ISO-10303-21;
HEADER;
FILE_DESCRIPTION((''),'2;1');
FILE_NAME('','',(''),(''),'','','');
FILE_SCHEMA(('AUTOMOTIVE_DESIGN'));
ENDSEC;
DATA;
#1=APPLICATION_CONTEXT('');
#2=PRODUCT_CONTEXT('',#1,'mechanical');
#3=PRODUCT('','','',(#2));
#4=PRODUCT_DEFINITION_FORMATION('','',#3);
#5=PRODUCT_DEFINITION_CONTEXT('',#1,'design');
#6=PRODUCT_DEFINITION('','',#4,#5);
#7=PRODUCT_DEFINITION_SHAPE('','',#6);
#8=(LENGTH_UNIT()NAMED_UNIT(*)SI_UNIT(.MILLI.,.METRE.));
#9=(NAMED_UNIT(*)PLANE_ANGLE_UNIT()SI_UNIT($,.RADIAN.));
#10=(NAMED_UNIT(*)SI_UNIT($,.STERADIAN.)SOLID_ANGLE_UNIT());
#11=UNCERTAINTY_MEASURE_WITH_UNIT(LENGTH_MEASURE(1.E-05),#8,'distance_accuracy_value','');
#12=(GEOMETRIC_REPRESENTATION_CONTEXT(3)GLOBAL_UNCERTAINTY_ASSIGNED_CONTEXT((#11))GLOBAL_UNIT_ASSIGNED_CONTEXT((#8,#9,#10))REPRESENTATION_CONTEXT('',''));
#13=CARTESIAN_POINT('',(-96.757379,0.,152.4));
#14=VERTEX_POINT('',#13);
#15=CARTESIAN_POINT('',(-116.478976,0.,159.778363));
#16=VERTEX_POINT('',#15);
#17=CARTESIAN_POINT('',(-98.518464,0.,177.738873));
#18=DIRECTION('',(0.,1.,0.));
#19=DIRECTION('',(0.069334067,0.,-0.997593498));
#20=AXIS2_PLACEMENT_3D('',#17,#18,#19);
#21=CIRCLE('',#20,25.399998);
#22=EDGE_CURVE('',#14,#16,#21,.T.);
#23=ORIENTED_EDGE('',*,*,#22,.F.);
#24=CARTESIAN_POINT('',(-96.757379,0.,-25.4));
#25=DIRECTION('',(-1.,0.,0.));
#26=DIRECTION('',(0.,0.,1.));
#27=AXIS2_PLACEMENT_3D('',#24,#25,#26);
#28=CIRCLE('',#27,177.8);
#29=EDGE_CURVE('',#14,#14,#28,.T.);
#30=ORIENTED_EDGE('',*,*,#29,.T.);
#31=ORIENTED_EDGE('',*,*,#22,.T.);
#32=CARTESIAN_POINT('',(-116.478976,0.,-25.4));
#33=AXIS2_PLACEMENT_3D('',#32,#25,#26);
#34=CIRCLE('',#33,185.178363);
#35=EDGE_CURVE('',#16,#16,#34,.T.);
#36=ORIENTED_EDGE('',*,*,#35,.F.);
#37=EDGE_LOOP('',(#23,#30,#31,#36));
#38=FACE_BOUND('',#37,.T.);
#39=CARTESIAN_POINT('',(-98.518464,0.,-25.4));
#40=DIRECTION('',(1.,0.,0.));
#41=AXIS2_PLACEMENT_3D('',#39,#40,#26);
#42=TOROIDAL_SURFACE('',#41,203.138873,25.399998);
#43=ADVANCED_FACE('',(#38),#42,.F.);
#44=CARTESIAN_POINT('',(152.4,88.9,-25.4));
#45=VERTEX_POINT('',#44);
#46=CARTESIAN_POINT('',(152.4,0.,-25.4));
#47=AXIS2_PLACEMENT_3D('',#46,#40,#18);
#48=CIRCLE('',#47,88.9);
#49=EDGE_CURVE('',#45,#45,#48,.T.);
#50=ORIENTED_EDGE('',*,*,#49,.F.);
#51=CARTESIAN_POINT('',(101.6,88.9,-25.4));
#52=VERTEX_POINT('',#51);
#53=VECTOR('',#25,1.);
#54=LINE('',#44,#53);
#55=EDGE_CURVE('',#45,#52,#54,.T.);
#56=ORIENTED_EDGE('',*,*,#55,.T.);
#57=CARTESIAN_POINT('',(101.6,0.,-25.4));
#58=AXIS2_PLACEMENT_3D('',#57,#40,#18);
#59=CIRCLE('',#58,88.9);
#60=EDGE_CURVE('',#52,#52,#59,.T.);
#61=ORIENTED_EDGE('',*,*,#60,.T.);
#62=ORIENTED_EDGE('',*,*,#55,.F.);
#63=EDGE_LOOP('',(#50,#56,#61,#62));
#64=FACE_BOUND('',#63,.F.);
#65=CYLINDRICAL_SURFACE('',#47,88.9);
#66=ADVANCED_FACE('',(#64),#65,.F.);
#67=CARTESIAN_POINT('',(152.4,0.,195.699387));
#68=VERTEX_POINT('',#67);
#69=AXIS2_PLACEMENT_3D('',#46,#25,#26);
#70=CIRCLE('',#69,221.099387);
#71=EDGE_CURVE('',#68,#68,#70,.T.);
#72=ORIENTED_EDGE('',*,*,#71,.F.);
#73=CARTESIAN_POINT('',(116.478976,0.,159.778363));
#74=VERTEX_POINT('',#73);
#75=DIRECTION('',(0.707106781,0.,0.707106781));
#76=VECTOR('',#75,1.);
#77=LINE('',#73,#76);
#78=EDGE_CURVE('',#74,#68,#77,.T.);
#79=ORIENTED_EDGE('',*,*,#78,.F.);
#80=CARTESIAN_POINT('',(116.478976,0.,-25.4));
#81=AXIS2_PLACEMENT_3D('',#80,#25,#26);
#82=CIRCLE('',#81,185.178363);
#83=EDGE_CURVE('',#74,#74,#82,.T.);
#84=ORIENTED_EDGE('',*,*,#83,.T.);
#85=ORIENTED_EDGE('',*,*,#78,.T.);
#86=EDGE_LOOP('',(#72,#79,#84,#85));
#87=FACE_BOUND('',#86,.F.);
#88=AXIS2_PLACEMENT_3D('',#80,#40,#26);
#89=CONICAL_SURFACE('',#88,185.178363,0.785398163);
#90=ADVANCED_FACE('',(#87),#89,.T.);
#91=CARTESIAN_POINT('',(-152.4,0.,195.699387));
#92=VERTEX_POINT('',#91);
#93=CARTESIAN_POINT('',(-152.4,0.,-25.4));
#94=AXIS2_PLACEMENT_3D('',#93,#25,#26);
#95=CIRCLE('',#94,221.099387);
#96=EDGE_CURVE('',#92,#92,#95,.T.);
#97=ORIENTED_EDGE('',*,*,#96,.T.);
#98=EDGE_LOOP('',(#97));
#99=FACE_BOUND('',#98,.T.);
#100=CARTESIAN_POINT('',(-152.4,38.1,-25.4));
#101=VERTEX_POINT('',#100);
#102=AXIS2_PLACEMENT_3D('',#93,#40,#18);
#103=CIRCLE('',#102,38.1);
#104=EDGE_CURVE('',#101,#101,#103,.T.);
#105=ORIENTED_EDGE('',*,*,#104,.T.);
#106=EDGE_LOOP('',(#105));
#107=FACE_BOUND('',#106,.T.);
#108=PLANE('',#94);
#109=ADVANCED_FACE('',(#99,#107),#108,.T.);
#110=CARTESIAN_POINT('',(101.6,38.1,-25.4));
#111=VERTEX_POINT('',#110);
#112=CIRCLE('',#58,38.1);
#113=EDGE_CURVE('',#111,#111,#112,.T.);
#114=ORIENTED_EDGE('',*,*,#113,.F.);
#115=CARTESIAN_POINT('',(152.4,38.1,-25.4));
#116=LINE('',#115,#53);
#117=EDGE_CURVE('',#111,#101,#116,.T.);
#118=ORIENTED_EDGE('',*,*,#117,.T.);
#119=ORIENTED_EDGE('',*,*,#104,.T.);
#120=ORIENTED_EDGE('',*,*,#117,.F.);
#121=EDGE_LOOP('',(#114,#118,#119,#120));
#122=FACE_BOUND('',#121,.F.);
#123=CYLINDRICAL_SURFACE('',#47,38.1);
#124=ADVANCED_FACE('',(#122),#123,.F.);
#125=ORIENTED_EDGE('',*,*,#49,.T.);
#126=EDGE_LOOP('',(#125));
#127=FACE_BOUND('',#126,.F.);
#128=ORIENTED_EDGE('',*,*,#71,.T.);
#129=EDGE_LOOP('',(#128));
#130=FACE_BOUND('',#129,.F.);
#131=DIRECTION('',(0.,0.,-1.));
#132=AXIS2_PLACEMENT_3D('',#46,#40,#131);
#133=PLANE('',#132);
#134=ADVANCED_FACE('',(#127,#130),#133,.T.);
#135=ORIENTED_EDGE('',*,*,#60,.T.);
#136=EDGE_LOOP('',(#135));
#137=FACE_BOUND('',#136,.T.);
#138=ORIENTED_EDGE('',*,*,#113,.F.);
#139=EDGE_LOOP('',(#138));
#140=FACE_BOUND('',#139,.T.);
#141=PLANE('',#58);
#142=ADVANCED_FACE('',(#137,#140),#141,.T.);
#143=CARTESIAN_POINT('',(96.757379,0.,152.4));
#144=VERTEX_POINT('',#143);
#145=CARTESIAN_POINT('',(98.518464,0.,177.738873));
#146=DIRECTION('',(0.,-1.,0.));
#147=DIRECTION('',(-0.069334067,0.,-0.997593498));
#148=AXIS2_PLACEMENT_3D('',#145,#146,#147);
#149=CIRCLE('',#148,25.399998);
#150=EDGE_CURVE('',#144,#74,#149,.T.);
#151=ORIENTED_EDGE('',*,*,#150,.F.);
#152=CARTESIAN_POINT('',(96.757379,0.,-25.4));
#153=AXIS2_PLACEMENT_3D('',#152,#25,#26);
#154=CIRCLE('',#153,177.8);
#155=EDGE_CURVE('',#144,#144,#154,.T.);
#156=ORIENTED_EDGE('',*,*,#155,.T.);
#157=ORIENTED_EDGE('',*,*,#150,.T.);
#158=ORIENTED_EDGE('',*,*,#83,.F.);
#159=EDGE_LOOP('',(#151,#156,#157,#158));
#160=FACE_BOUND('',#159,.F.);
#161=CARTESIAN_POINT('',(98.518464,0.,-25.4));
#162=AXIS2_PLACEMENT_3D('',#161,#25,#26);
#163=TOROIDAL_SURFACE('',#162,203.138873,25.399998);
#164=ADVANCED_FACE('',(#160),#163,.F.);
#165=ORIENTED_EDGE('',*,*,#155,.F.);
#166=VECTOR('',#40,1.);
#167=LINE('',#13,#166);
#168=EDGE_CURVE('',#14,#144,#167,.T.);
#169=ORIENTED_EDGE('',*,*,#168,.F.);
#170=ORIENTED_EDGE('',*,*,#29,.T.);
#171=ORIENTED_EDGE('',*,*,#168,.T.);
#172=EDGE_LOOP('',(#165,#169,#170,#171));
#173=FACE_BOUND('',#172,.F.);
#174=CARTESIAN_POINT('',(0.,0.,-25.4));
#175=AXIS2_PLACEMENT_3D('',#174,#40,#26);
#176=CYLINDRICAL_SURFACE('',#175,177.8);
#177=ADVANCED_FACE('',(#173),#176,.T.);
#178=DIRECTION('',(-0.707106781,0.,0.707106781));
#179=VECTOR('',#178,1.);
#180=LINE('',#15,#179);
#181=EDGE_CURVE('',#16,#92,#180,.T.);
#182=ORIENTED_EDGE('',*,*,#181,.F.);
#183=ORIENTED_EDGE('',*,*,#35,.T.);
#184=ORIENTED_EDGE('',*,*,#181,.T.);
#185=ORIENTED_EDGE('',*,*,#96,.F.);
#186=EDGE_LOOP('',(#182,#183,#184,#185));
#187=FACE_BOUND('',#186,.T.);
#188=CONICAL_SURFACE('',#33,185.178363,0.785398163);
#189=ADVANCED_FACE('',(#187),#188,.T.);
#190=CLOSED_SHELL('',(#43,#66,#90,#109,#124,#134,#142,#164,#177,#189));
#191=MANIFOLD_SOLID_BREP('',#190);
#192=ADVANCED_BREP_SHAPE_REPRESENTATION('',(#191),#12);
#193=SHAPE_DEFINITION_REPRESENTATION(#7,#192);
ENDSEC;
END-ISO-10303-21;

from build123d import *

# Parameters (mm, degrees)
F3_R     = 38.1
F3_R_2   = 25.4
F4_DEPTH = 304.801
F5_R     = 88.9
F5_R_2   = 38.1
F6_DEPTH = 50.8


with BuildPart() as f1:
    # F0 (on Front) → F1 (revolve)
    with BuildSketch(Plane.XZ):
        with BuildLine():
            Line((-152.4, 0), (0, 0))
            Line((0, 0), (0, 152.4))
            Line((0, 152.4), (-96.757379, 152.4))
            ThreePointArc((-96.757379, 152.4), (-107.418768, 153.949285), (-116.478976, 159.778363))
            Line((-116.478976, 159.778363), (-152.4, 195.699387))
            Line((-152.4, 195.699387), (-152.4, 0))
        make_face()
    revolve(axis=Axis((-127.974883, 0, -25.4), (-1, 0, 0)))

    # F2: F1 across face


with BuildPart() as f1_1:
    add(f1.part)
    add(f1.part.mirror(Plane(origin=(0, 0, -25.4), x_dir=(0, 1, 0), z_dir=(1, 0, 0))))

    # F3 (on face) → F4 (cut, through all)
    with BuildSketch(Plane.YZ.offset(152.4)):
        with Locations((0, -25.4)):
            Circle(F3_R)
        with Locations((0, -25.4)):
            Circle(F3_R_2, mode=Mode.SUBTRACT)
    extrude(amount=-F4_DEPTH, mode=Mode.SUBTRACT)

    # F5 (on face) → F6 (cut)
    with BuildSketch(Plane.YZ.offset(152.4)):
        with Locations((0, -25.4)):
            Circle(F5_R)
        with Locations((0, -25.4)):
            Circle(F5_R_2, mode=Mode.SUBTRACT)
    extrude(amount=-F6_DEPTH, mode=Mode.SUBTRACT)


solid = f1_1.part
